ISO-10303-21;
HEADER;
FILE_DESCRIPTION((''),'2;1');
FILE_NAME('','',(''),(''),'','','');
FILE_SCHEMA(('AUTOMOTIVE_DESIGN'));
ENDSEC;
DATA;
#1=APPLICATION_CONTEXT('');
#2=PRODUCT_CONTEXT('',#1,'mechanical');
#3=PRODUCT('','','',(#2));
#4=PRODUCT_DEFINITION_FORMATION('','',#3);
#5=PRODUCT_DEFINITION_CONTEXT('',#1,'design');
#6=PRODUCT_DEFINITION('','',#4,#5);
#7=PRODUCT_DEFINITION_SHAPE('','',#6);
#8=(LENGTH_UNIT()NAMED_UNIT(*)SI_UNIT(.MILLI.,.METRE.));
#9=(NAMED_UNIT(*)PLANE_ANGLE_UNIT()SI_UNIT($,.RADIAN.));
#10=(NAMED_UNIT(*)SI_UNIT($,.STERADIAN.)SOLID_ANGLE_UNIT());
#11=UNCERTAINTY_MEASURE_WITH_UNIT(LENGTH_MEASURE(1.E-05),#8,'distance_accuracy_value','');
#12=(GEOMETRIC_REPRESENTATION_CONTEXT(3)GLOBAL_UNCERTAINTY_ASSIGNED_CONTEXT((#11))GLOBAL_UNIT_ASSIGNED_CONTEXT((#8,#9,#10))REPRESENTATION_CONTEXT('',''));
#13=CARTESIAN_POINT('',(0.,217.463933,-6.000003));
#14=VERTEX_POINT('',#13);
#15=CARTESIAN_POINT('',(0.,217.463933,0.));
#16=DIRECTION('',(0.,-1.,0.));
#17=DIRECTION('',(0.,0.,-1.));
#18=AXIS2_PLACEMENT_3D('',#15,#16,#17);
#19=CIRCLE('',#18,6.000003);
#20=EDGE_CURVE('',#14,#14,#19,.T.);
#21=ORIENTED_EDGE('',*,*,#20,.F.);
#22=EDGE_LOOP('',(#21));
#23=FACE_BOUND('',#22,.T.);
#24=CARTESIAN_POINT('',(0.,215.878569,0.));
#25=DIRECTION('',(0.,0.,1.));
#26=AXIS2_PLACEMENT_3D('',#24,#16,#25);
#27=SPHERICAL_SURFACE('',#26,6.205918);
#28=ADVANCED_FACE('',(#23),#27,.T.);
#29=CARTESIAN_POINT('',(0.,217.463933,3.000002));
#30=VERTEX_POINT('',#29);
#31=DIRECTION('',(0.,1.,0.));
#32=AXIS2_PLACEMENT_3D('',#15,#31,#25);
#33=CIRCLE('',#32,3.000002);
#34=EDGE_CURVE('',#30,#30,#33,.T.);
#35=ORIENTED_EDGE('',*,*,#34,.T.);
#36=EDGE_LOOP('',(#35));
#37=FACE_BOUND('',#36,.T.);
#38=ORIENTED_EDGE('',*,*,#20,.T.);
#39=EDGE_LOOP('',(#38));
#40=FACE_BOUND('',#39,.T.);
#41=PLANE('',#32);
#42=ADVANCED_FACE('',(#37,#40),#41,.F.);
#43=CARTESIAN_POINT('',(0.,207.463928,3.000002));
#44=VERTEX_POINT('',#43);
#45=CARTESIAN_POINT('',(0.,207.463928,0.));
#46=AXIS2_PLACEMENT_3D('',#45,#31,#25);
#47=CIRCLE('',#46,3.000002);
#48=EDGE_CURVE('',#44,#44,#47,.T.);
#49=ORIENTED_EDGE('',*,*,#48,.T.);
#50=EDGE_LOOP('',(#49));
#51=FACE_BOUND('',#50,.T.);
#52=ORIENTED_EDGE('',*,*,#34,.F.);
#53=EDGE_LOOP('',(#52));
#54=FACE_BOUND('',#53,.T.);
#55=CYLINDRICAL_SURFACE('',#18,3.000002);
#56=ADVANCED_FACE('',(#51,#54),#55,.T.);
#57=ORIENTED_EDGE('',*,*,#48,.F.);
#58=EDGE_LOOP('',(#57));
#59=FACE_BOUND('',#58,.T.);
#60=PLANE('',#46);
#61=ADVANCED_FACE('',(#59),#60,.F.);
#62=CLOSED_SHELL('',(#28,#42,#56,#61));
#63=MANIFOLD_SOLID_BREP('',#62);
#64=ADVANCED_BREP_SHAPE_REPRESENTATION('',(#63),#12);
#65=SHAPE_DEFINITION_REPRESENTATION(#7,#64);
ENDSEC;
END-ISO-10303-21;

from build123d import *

# Parameters (mm, degrees)
SKETCH1_R           = 76.2
BOSS_EXTRUDE1_DEPTH = 254
SCALE1_SCALE        = 0.0393701


with BuildPart() as part:
    # Sketch1 → Boss-Extrude1 (new body)
    with BuildSketch(Plane(origin=(0, 0, 0), x_dir=(1, 0, 0), z_dir=(0, 1, 0))):
        with Locations(Location((0, 0, 0), (0, 0, 270))):
            Circle(SKETCH1_R)
    extrude(amount=BOSS_EXTRUDE1_DEPTH)

    # Sketch2 → Revolve3 (revolve)
    with BuildSketch(Plane(origin=(0, 0, 0), x_dir=(0, 0, -1), z_dir=(1, 0, 0)), mode=Mode.PRIVATE) as revolve3_sk:
        with BuildLine():
            Line((0, 371.361992924), (0, 254))
            Line((0, 254), (76.2, 254))
            Line((76.2, 254), (152.4, 254))
            ThreePointArc((152.4, 254), (96.176397031, 338.621276033), (0, 371.361992924))
        make_face()
    revolve(revolve3_sk.sketch.rotate(Axis((0, 254, 0), (0, 1, 0)), 180), axis=Axis((0, 254, 0), (0, 1, 0)))


with BuildPart() as part_1:
    # Scale1: scaled about (0, 215.966552743, 0)
    add(part.part.scale(SCALE1_SCALE).moved(Location((0, 207.463927965, 0))))


solid = part_1.part
